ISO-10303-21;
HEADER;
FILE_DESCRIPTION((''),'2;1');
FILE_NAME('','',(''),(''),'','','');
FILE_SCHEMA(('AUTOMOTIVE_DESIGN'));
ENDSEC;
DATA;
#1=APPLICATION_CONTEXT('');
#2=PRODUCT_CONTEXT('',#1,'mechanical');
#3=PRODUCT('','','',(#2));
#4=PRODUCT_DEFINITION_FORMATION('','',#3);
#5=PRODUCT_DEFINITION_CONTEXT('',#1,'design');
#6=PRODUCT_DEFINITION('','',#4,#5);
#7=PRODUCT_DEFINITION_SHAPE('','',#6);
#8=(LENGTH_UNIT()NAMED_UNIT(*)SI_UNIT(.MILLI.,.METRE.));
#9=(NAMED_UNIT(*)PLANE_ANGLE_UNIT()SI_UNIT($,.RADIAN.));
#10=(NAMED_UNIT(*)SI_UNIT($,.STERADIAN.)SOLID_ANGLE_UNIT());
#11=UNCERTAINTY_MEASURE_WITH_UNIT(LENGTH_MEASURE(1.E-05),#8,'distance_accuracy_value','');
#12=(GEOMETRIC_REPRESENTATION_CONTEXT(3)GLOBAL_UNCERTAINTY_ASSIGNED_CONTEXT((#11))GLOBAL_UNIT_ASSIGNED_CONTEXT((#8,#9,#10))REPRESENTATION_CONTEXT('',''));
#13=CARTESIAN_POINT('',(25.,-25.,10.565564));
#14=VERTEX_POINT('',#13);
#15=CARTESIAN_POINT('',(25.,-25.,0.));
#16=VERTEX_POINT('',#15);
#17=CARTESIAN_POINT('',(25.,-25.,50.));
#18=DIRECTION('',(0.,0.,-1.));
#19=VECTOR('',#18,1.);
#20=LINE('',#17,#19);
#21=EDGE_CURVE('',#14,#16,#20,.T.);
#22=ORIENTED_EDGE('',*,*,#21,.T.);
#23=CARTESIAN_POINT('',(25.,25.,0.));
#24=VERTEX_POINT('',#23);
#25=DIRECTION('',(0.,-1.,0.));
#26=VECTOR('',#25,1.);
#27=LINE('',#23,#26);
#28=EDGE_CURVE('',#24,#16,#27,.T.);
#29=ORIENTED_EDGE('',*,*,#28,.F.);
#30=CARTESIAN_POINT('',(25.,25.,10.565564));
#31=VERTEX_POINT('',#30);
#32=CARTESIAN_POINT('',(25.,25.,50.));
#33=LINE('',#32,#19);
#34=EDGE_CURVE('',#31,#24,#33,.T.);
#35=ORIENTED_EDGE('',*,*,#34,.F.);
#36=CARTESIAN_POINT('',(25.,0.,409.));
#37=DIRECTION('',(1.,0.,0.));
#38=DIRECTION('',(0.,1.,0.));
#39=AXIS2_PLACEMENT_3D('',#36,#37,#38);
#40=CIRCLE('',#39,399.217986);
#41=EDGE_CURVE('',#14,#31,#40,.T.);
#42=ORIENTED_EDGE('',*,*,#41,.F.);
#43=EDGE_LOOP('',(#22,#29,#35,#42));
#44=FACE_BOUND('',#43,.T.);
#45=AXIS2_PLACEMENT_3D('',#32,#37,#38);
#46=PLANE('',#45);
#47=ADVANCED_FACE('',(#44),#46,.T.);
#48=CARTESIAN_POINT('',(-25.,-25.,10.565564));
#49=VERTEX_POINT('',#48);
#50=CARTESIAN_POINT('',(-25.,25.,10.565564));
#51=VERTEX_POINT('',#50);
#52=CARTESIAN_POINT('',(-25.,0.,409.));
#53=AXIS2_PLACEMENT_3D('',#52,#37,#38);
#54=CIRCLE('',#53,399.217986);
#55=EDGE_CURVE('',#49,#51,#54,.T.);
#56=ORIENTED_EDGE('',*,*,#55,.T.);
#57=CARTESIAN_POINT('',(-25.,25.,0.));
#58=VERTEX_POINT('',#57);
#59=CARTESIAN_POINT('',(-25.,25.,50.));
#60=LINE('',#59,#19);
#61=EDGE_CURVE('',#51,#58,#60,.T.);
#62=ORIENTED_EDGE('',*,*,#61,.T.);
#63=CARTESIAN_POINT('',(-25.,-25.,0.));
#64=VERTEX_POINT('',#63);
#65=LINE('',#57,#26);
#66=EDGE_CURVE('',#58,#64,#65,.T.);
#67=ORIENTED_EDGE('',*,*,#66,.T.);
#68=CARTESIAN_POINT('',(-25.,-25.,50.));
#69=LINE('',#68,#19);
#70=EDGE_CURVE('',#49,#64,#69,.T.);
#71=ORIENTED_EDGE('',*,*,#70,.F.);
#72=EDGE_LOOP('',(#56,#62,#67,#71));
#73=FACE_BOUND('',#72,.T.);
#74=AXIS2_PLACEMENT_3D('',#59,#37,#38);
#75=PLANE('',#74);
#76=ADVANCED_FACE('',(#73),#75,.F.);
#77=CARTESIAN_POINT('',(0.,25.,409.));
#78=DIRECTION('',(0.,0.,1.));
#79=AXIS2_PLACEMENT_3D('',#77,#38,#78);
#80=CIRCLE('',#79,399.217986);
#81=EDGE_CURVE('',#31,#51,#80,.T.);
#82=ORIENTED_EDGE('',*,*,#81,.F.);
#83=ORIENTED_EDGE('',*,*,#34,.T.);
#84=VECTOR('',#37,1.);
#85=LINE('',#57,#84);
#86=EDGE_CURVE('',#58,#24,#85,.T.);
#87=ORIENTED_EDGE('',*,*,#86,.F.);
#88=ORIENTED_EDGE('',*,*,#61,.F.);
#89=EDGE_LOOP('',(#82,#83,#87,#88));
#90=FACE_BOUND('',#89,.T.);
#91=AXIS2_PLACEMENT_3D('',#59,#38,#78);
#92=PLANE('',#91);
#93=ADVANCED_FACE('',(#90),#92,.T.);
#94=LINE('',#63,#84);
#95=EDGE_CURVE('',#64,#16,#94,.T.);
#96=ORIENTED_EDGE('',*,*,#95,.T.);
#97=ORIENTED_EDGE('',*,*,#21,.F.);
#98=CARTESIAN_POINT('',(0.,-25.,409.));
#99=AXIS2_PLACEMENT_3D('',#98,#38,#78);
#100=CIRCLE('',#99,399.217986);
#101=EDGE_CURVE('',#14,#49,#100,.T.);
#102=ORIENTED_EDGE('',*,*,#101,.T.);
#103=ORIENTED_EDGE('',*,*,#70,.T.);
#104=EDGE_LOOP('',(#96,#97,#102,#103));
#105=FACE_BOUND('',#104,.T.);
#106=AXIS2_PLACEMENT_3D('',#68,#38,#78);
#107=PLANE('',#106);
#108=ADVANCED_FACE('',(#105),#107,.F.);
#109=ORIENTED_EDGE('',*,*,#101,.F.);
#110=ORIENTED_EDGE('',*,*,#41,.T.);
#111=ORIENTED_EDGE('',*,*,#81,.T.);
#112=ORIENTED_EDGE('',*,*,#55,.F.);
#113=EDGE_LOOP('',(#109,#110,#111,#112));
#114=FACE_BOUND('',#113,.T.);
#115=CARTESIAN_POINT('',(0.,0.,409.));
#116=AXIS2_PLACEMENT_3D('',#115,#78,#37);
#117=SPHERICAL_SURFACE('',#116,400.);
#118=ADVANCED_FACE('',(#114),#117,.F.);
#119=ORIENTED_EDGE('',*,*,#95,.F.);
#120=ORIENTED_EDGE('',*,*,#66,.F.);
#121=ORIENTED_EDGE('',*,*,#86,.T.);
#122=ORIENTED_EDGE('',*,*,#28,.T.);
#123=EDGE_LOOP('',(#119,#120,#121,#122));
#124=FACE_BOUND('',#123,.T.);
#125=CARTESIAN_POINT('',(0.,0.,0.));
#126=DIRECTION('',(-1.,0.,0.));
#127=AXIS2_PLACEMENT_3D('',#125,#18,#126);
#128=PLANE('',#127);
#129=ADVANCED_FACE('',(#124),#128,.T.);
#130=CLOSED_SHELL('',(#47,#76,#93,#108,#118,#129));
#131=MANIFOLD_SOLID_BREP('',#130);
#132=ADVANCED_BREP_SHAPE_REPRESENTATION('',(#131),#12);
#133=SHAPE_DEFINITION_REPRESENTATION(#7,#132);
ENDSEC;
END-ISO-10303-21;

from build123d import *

# Parameters (mm, degrees)
SKETCH_1_W      = 50
SKETCH_1_H      = 50
EXTRUDE_1_DEPTH = 50


with BuildPart() as part:
    # 草图1 → 凸台-拉伸1 (new body)
    with BuildSketch(Plane.XY):
        Rectangle(SKETCH_1_W, SKETCH_1_H)
    extrude(amount=EXTRUDE_1_DEPTH)

    # 草图2 → 切除-旋转2 (revolve, cut)
    with BuildSketch(Plane(origin=(0, 0, 0), x_dir=(1, 0, 0), z_dir=(0, 1, 0))):
        with BuildLine():
            Line((389.938184725, -319.847254146), (0, -319.847254146))
            Line((0, -319.847254146), (0, -9))
            ThreePointArc((0, -9), (249.338025237, -96.221245653), (389.938184725, -319.847254146))
        make_face()
    revolve(axis=Axis((0, 0, 319.847254146), (0, 0, -1)), mode=Mode.SUBTRACT)


solid = part.part
